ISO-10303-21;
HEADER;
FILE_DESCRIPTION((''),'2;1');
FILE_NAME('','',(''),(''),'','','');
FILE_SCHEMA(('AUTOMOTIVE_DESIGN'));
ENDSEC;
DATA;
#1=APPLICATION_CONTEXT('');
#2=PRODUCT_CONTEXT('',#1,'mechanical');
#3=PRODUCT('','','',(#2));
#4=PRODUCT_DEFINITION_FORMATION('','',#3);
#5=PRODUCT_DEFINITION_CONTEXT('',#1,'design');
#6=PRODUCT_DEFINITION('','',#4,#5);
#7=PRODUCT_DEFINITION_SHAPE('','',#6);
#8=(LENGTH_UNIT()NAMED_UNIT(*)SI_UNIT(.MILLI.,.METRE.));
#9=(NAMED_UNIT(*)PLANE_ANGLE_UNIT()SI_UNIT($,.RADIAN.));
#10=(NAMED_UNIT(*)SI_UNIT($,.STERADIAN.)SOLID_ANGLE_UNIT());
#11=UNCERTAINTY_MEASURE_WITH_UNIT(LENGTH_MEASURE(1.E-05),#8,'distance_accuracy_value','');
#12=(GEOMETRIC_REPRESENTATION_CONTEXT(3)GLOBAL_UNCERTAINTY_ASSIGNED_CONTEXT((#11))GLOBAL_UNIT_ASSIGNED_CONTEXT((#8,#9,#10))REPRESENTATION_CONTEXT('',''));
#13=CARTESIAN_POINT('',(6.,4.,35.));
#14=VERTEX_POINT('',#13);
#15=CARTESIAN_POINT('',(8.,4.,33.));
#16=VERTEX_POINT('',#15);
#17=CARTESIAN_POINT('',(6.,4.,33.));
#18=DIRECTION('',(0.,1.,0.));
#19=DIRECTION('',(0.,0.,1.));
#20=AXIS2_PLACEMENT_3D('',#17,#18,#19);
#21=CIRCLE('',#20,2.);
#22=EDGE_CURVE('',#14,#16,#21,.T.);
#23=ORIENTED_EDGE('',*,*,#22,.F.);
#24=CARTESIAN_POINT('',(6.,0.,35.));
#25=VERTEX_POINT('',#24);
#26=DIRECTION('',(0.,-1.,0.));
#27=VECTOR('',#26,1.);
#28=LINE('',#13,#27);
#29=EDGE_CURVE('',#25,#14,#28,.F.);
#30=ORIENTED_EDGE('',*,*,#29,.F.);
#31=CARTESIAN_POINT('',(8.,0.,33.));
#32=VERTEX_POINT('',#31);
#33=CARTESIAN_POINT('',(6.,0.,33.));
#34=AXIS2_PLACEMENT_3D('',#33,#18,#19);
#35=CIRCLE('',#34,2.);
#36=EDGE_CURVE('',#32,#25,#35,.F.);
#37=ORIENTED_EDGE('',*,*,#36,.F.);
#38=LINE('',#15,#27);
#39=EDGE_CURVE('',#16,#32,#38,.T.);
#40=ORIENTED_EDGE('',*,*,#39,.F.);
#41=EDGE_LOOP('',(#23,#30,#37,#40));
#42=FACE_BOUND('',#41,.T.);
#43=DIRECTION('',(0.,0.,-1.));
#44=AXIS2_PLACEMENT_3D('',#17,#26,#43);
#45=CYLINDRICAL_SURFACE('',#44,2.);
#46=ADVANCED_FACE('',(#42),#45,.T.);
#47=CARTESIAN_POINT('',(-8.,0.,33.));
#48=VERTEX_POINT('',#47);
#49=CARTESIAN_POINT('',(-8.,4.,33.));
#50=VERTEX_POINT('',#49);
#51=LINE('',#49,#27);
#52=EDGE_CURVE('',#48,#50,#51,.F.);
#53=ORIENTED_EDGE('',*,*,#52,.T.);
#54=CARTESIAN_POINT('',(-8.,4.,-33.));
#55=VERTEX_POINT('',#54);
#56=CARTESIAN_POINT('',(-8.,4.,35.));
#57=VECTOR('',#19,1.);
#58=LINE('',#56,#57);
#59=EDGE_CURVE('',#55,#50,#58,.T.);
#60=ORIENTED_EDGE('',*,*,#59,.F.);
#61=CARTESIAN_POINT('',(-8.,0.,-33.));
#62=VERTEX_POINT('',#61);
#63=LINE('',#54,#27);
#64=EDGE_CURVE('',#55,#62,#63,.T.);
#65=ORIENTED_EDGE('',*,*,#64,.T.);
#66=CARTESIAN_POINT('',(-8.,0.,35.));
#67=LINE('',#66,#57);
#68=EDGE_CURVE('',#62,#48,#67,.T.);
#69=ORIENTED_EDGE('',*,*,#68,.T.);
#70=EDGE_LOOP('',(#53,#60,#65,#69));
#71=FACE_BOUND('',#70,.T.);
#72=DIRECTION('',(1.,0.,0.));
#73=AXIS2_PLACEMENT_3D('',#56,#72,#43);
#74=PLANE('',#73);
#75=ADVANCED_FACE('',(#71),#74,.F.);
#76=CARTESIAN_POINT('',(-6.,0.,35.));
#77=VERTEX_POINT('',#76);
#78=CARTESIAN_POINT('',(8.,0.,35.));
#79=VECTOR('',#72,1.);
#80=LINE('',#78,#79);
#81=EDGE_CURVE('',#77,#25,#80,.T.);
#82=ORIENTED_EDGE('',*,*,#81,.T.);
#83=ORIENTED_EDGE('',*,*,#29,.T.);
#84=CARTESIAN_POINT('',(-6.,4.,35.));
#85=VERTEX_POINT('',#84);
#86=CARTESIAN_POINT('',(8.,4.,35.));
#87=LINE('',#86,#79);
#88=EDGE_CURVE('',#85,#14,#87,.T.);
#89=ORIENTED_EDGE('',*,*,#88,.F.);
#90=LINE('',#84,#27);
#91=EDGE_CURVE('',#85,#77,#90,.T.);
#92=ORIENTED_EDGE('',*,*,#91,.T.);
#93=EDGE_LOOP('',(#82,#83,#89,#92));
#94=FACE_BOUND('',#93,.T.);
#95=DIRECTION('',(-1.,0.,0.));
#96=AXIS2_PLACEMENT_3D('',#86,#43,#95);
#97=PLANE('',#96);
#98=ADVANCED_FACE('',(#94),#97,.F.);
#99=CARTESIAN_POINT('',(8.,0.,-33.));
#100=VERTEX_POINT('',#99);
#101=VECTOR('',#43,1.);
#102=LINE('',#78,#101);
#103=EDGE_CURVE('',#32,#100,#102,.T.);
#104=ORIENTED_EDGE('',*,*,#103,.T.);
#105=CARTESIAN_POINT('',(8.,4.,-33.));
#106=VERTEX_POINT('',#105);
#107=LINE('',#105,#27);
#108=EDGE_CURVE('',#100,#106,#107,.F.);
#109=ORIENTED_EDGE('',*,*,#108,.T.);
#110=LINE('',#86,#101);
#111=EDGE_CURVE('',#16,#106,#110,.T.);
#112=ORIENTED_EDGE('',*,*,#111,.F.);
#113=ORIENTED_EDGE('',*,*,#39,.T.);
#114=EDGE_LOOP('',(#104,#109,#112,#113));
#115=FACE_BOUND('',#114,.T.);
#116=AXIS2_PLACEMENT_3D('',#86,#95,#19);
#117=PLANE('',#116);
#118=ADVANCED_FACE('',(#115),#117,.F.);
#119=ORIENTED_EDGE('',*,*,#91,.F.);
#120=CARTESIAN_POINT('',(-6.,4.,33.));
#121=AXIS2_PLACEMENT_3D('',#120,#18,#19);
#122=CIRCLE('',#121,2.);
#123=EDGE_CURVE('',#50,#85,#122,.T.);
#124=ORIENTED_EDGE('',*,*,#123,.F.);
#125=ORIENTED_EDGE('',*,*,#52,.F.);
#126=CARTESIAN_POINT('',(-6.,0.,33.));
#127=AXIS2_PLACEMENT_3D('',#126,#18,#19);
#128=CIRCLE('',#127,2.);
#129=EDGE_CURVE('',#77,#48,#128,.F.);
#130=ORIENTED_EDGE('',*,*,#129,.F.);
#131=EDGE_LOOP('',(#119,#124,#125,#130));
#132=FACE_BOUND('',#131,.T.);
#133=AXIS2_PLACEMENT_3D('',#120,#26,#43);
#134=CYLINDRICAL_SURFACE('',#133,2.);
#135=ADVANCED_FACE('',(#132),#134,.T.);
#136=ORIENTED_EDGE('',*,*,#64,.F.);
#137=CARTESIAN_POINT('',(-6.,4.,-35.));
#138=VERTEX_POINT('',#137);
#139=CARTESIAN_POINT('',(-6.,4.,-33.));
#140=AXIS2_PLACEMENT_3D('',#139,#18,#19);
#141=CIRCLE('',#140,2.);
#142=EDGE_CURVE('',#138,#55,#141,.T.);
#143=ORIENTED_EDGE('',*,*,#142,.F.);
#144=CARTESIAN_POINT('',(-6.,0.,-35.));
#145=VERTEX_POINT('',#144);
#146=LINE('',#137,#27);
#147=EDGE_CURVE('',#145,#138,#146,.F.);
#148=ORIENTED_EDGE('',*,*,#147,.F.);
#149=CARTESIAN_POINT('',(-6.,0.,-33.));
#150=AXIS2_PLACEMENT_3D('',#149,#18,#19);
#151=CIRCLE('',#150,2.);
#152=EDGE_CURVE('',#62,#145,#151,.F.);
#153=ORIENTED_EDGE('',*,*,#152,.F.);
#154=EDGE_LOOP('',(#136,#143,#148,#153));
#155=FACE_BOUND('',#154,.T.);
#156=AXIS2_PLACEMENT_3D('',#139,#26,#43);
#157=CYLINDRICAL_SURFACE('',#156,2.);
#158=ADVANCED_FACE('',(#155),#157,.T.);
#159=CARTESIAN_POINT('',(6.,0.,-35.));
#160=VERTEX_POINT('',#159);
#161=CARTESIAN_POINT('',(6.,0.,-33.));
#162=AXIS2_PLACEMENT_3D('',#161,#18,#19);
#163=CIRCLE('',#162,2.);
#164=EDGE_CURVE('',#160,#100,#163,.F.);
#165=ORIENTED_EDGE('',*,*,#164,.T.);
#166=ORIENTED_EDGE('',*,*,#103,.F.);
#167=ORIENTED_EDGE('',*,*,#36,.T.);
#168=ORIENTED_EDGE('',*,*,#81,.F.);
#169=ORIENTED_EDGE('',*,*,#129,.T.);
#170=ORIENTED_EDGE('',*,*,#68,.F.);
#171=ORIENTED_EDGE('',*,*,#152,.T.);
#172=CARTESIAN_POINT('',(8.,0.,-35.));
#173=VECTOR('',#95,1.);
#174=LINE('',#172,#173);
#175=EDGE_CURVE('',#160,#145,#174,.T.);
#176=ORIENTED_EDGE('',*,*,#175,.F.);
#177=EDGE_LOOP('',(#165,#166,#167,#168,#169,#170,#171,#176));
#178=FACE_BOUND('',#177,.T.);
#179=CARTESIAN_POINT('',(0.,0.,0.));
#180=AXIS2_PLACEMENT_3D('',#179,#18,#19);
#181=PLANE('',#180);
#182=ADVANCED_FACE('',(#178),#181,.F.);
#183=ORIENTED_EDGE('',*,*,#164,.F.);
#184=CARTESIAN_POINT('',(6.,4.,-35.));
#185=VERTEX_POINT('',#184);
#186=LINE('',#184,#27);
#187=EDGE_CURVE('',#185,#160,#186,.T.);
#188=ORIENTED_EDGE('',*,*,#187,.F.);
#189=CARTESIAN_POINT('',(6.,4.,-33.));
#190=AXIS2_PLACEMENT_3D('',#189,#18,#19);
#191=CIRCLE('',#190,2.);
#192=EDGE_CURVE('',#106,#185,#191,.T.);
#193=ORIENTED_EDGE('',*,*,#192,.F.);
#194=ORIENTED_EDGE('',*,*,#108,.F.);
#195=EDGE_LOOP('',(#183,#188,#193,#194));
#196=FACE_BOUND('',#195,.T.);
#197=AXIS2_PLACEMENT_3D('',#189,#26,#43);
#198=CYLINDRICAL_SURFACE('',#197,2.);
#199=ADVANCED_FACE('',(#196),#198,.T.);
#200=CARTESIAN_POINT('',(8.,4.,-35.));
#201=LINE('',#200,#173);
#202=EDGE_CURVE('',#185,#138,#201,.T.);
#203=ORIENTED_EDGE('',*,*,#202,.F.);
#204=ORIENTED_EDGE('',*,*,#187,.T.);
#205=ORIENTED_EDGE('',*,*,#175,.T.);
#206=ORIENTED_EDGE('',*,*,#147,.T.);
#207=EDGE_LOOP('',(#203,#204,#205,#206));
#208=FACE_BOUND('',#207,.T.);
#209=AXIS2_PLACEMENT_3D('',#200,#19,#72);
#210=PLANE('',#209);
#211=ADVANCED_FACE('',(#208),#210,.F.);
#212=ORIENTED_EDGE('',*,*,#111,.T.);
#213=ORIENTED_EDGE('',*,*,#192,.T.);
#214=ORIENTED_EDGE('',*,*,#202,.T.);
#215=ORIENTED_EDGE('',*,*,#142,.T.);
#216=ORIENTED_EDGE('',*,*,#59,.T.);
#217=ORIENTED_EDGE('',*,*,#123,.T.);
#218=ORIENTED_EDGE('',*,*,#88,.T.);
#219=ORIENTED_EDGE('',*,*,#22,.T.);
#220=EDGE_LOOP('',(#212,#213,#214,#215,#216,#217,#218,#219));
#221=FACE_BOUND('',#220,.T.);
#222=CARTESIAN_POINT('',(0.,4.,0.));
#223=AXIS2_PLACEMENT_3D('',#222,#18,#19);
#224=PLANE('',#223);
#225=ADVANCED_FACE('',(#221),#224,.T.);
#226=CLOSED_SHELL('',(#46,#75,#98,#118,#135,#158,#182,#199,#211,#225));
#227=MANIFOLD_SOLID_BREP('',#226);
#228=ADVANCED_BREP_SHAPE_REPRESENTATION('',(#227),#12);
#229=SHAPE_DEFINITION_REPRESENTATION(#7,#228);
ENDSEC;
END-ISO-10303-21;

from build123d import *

# Parameters (mm, degrees)
SKETCH_1_W      = 16
SKETCH_1_H      = 70
EXTRUDE_1_DEPTH = 4
FILLET_1_R      = 2


with BuildPart() as part:
    # 草图1 → 凸台-拉伸1 (new body)
    with BuildSketch(Plane(origin=(0, 0, 0), x_dir=(1, 0, 0), z_dir=(0, 1, 0))):
        Rectangle(SKETCH_1_W, SKETCH_1_H)
    extrude(amount=EXTRUDE_1_DEPTH)

    # 圆角1
    fillet_1_edges = [part.edges().sort_by_distance(p)[0] for p in [
        (-8, 2, -35),
        (8, 2, -35),
        (8, 2, 35),
        (-8, 2, 35),
    ]]
    fillet(fillet_1_edges, radius=FILLET_1_R)


solid = part.part
